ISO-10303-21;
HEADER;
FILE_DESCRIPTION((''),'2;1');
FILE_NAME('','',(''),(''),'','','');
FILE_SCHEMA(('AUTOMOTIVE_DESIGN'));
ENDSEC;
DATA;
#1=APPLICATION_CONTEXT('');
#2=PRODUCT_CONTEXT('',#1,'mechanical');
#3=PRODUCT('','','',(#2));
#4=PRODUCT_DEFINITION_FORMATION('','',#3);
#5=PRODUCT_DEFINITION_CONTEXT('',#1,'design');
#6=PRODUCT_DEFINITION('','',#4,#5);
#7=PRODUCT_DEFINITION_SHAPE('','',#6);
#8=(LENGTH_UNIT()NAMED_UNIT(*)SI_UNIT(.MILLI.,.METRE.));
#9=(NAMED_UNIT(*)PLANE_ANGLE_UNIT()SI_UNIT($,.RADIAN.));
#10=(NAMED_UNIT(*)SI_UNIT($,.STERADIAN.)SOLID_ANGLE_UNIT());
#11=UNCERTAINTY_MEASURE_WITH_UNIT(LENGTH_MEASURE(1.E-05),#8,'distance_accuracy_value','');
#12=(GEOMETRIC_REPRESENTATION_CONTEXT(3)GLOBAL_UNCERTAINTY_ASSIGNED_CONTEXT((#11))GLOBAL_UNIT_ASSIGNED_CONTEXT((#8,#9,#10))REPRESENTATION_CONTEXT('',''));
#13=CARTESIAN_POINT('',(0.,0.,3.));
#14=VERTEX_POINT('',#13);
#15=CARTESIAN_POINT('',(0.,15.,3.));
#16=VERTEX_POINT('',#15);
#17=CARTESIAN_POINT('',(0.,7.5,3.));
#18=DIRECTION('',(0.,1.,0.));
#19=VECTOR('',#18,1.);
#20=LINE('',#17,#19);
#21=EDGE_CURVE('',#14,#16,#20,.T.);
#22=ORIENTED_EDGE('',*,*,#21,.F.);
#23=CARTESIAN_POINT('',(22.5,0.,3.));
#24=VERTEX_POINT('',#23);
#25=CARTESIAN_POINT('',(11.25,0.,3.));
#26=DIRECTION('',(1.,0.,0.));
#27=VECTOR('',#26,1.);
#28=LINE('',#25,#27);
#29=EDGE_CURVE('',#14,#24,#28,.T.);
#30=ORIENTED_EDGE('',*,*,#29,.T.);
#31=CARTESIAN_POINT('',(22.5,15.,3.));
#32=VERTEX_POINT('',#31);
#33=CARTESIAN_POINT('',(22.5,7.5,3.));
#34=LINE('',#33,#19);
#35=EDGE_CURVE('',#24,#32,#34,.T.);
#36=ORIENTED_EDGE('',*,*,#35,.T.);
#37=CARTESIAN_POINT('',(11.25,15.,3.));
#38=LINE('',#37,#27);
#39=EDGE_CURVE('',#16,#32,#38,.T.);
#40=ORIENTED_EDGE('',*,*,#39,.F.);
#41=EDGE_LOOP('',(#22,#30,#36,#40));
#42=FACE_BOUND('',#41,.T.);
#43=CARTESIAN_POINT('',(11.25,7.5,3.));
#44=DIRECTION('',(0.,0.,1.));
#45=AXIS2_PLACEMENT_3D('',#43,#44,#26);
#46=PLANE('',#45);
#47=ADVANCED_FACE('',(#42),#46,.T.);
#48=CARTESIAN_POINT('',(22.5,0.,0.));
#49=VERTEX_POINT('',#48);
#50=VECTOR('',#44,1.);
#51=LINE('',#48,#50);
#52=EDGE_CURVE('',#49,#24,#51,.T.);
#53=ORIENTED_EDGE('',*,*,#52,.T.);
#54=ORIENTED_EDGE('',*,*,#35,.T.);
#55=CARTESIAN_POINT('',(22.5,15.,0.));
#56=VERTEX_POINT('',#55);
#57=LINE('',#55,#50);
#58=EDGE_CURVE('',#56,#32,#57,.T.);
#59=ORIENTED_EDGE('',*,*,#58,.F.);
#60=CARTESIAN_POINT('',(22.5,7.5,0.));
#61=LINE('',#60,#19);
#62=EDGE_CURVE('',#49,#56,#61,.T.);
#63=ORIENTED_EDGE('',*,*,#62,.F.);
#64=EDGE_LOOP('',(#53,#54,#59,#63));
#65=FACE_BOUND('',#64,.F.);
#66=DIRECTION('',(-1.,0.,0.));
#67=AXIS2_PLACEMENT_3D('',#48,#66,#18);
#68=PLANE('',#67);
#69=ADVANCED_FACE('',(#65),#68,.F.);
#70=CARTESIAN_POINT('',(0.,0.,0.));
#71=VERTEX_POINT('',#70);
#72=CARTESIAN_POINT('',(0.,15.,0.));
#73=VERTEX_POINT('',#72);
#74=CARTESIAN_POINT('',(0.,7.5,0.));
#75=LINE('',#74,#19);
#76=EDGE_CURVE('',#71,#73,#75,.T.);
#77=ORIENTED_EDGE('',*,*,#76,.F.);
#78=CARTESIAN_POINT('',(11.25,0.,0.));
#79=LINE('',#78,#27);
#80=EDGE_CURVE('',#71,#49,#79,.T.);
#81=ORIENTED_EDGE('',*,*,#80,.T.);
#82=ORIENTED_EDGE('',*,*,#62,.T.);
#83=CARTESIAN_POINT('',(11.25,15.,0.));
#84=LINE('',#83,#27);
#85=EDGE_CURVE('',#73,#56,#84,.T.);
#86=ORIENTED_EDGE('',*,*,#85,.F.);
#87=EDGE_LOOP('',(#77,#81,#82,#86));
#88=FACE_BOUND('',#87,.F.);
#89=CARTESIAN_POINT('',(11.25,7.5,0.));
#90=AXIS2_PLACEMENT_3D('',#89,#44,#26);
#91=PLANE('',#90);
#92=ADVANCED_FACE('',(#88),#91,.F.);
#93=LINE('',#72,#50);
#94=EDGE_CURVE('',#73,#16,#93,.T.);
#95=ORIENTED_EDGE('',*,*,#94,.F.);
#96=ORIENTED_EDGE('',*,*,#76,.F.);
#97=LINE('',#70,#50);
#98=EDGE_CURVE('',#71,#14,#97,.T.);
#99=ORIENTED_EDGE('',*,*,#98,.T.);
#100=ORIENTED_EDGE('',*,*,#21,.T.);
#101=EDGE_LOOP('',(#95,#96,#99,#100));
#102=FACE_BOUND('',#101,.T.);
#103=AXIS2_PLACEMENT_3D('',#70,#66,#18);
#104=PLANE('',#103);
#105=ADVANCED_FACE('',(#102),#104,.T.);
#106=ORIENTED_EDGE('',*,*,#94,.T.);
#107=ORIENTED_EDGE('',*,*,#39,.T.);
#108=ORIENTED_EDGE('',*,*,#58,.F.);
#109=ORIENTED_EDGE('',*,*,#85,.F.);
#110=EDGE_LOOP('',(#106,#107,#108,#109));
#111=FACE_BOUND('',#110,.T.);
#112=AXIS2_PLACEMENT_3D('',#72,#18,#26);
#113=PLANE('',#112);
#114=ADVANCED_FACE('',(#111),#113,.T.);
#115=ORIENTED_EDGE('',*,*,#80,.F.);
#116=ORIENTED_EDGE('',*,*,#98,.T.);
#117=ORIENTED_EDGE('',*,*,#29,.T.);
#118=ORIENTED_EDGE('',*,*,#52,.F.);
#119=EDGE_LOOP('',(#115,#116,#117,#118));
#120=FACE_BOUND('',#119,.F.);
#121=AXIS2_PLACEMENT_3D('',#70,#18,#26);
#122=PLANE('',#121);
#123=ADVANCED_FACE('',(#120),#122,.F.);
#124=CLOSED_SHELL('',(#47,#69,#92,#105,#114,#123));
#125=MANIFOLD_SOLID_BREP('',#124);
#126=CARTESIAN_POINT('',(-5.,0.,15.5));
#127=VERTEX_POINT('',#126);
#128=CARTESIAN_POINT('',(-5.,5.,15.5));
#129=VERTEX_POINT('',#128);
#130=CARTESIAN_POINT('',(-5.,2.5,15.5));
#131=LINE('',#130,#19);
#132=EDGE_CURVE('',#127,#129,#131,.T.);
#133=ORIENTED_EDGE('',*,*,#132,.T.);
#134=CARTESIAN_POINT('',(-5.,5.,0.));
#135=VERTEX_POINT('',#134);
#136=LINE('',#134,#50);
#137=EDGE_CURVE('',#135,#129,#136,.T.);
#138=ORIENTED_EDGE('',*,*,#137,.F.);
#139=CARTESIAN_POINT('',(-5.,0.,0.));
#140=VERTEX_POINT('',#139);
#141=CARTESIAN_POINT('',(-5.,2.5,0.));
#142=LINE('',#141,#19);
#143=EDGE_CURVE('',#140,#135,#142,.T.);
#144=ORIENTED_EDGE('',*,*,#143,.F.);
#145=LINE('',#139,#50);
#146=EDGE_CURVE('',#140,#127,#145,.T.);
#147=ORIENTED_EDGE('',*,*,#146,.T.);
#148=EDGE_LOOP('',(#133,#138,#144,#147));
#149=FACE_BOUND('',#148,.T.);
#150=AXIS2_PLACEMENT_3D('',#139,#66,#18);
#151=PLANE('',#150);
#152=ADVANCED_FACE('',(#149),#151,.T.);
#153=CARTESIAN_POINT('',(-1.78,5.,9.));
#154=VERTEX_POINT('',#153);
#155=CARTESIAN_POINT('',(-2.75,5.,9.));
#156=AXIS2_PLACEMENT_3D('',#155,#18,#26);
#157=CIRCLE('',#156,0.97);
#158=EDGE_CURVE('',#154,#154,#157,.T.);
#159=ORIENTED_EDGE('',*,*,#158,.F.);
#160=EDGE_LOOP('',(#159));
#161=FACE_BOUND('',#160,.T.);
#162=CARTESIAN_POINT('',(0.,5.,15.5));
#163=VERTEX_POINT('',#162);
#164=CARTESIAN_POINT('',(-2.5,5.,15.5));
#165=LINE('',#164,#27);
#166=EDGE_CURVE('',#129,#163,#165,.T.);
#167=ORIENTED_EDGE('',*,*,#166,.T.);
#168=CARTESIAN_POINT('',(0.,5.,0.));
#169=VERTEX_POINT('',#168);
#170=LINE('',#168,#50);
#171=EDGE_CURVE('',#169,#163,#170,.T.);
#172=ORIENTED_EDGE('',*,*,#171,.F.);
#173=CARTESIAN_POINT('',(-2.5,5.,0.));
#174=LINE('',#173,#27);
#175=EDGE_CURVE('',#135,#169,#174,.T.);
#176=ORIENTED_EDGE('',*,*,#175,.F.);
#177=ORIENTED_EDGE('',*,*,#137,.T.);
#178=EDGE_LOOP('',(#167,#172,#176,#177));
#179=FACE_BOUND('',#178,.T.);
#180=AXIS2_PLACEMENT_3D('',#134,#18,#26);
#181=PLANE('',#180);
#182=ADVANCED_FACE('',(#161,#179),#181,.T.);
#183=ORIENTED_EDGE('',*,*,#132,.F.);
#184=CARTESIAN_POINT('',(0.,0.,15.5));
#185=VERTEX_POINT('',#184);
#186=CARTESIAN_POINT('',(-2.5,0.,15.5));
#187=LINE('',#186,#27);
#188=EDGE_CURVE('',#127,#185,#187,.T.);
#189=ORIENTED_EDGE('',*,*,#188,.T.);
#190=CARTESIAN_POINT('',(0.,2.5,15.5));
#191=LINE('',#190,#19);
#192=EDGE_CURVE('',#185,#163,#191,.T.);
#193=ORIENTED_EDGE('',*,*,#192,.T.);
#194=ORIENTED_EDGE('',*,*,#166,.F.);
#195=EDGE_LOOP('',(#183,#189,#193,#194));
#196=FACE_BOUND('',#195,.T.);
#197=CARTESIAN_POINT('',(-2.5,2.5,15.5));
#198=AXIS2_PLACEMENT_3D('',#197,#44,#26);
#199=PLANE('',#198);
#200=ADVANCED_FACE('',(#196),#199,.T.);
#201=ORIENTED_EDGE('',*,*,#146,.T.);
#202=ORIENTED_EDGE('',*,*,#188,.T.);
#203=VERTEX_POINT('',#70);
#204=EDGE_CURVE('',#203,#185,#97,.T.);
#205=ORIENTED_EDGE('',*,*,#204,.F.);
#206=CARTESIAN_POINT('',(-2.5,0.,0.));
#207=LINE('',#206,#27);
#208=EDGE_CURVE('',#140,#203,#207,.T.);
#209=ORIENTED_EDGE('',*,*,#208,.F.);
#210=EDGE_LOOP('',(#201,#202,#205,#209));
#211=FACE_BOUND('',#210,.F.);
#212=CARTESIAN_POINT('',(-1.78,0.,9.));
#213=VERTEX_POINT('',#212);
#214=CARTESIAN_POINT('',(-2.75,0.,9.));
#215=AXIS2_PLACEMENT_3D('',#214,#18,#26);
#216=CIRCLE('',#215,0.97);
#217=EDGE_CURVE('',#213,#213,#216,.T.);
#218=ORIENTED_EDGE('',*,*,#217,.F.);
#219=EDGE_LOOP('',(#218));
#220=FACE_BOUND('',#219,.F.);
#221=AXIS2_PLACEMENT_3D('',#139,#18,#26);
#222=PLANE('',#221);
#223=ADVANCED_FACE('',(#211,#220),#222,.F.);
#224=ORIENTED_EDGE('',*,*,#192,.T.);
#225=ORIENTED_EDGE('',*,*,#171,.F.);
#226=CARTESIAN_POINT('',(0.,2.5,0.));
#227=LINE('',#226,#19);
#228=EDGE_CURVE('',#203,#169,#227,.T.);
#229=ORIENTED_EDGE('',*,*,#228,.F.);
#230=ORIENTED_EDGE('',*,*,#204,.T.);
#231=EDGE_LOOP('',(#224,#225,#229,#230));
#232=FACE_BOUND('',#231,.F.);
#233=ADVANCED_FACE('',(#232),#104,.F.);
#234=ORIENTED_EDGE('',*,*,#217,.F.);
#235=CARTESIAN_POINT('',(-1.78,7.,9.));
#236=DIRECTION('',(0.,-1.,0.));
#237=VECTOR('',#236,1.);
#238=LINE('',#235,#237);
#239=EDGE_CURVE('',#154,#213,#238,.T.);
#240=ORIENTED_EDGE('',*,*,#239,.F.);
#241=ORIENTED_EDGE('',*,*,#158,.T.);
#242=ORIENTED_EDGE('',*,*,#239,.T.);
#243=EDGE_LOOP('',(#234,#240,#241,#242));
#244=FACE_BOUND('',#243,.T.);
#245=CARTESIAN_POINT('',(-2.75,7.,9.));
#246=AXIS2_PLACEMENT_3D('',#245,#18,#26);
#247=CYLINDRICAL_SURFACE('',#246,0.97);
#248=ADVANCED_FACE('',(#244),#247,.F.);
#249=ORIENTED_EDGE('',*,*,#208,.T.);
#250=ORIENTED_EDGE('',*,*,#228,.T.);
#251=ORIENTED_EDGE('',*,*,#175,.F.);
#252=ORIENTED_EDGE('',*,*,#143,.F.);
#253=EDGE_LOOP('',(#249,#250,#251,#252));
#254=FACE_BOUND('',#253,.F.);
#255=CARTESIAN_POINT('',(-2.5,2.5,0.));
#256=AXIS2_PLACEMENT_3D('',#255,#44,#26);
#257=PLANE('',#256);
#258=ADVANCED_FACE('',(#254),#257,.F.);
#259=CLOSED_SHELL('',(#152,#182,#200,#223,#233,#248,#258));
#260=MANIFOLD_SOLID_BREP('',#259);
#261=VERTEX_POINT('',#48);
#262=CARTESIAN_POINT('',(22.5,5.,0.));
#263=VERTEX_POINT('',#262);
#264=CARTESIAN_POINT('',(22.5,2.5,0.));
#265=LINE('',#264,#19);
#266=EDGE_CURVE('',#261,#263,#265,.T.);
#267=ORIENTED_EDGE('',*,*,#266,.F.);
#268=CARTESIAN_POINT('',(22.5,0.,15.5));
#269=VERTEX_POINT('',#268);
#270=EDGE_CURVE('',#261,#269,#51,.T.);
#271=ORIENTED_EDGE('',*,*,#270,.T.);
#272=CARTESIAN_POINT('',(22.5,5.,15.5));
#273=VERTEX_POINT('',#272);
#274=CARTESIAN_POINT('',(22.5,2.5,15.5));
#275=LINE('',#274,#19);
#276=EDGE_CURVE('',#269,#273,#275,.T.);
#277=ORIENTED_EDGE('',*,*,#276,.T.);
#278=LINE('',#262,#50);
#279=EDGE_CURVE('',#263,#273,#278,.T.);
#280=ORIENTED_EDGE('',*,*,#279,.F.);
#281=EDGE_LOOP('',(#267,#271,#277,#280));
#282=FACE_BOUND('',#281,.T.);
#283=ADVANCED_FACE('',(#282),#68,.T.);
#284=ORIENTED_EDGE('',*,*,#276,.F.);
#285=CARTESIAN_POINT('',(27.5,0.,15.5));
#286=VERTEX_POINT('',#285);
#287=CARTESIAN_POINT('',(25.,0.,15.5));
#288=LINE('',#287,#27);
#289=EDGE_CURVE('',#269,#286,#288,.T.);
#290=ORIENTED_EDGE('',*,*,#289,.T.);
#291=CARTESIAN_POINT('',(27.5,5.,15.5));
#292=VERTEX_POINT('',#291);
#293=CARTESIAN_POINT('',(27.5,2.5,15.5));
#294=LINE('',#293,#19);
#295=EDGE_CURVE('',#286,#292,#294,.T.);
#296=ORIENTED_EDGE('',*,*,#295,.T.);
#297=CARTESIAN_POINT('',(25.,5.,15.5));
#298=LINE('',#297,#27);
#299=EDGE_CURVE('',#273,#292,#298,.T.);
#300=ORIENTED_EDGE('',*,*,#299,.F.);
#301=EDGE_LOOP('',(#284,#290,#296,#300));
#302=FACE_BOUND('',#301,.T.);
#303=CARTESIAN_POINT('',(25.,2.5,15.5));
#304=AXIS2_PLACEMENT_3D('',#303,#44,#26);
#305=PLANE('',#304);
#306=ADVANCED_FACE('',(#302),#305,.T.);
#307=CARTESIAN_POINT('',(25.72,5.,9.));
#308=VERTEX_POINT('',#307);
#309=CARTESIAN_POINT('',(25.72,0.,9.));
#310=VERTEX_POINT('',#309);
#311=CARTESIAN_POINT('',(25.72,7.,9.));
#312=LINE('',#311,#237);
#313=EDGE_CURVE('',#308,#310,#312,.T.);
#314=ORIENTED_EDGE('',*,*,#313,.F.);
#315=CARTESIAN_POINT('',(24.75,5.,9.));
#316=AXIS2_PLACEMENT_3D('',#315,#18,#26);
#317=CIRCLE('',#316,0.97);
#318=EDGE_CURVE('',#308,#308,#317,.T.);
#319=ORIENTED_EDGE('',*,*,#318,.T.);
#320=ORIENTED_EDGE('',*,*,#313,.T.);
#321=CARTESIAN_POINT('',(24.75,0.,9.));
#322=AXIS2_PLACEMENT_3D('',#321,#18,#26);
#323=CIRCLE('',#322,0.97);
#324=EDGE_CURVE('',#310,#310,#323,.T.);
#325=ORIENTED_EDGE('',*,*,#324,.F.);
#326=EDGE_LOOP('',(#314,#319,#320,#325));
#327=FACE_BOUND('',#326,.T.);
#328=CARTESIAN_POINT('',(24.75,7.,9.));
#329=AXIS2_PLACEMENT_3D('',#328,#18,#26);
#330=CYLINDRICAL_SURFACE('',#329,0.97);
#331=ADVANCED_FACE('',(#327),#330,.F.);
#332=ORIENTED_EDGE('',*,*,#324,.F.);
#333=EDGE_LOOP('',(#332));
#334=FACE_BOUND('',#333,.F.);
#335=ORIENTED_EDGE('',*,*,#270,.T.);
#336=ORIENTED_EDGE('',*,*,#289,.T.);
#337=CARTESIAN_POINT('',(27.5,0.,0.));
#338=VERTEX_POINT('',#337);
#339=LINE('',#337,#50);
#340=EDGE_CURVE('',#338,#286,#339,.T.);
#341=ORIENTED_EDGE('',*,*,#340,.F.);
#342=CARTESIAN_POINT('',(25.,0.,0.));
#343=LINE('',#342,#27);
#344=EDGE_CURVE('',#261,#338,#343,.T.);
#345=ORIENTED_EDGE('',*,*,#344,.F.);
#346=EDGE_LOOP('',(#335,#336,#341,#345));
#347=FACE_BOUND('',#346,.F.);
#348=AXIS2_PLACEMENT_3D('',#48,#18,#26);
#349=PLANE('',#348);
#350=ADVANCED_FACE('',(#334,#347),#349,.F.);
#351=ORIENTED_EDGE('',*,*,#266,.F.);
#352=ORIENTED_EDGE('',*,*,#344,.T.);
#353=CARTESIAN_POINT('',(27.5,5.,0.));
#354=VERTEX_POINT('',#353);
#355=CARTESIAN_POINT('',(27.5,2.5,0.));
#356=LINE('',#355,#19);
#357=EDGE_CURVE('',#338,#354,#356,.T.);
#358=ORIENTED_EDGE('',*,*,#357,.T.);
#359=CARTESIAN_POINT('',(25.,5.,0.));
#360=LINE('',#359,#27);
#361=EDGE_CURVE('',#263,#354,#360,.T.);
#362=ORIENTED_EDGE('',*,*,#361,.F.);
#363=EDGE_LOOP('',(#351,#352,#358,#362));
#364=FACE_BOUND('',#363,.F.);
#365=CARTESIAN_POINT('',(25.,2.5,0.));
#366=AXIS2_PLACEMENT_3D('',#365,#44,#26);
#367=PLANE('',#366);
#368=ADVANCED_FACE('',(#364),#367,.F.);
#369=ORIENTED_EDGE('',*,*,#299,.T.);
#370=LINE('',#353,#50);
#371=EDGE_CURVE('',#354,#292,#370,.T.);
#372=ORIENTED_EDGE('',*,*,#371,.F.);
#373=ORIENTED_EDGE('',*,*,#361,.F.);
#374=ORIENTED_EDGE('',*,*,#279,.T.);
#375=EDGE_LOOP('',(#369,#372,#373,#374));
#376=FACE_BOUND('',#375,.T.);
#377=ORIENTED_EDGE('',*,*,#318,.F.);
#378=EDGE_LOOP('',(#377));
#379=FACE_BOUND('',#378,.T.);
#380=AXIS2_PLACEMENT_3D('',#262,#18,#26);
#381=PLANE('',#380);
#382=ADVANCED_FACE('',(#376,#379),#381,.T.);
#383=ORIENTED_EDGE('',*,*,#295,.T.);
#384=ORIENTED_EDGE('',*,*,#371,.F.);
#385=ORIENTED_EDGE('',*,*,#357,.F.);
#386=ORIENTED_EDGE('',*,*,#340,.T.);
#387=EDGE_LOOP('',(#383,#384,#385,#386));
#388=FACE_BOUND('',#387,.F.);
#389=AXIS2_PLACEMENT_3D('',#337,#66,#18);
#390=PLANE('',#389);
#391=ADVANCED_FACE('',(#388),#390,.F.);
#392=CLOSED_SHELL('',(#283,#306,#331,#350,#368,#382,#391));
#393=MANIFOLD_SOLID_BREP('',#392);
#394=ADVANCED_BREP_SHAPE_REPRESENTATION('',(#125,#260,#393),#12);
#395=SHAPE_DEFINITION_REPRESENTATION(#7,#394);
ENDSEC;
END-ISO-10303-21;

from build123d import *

# Parameters (mm, degrees)
BOX_W                  = 22.5
BOX_H                  = 15
BOX_DEPTH              = 3
CYLINDER_R             = 0.97
CYLINDER_DEPTH         = 10
CYLINDER_ROLL_ANGLE    = 90
BOX001_W               = 5
BOX001_H               = 5
BOX001_DEPTH           = 15.5
CYLINDER001_R          = 0.97
CYLINDER001_DEPTH      = 10
CYLINDER001_ROLL_ANGLE = 90
BOX002_W               = 5
BOX002_H               = 5
BOX002_DEPTH           = 15.5


with BuildPart() as box:
    # Box → Box (new body)
    with BuildSketch(Plane.XY):
        with Locations((11.25, 7.5)):
            Rectangle(BOX_W, BOX_H)
    extrude(amount=BOX_DEPTH)


with BuildPart() as cylinder:
    # Cylinder → Cylinder (new body)
    with BuildSketch(Plane.XY):
        Circle(CYLINDER_R)
    extrude(amount=CYLINDER_DEPTH)


with BuildPart() as cylinder_1:
    # Cylinder roll: moved
    add(cylinder.part.rotate(Axis((0, 0, 0), (1, 0, 0)), CYLINDER_ROLL_ANGLE))


with BuildPart() as cylinder_2:
    # Cylinder placement: moved
    add(cylinder_1.part.moved(Location((-2.75, 7, 9))))


with BuildPart() as cut:
    # Box001 → Box001 (new body)
    with BuildSketch(Plane(origin=(-5, 0, 0), x_dir=(1, 0, 0), z_dir=(0, 0, 1))):
        with Locations((2.5, 2.5)):
            Rectangle(BOX001_W, BOX001_H)
    extrude(amount=BOX001_DEPTH)

    # Cut: cut Cylinder
    add(cylinder_2.part, mode=Mode.SUBTRACT)


with BuildPart() as cylinder001:
    # Cylinder001 → Cylinder001 (new body)
    with BuildSketch(Plane.XY):
        Circle(CYLINDER001_R)
    extrude(amount=CYLINDER001_DEPTH)


with BuildPart() as cylinder001_1:
    # Cylinder001 roll: moved
    add(cylinder001.part.rotate(Axis((0, 0, 0), (1, 0, 0)), CYLINDER001_ROLL_ANGLE))


with BuildPart() as cylinder001_2:
    # Cylinder001 placement: moved
    add(cylinder001_1.part.moved(Location((24.75, 7, 9))))


with BuildPart() as cut001:
    # Box002 → Box002 (new body)
    with BuildSketch(Plane(origin=(22.5, 0, 0), x_dir=(1, 0, 0), z_dir=(0, 0, 1))):
        with Locations((2.5, 2.5)):
            Rectangle(BOX002_W, BOX002_H)
    extrude(amount=BOX002_DEPTH)

    # Cut001: cut Cylinder001
    add(cylinder001_2.part, mode=Mode.SUBTRACT)


solid = Compound([box.part, cut.part, cut001.part])
